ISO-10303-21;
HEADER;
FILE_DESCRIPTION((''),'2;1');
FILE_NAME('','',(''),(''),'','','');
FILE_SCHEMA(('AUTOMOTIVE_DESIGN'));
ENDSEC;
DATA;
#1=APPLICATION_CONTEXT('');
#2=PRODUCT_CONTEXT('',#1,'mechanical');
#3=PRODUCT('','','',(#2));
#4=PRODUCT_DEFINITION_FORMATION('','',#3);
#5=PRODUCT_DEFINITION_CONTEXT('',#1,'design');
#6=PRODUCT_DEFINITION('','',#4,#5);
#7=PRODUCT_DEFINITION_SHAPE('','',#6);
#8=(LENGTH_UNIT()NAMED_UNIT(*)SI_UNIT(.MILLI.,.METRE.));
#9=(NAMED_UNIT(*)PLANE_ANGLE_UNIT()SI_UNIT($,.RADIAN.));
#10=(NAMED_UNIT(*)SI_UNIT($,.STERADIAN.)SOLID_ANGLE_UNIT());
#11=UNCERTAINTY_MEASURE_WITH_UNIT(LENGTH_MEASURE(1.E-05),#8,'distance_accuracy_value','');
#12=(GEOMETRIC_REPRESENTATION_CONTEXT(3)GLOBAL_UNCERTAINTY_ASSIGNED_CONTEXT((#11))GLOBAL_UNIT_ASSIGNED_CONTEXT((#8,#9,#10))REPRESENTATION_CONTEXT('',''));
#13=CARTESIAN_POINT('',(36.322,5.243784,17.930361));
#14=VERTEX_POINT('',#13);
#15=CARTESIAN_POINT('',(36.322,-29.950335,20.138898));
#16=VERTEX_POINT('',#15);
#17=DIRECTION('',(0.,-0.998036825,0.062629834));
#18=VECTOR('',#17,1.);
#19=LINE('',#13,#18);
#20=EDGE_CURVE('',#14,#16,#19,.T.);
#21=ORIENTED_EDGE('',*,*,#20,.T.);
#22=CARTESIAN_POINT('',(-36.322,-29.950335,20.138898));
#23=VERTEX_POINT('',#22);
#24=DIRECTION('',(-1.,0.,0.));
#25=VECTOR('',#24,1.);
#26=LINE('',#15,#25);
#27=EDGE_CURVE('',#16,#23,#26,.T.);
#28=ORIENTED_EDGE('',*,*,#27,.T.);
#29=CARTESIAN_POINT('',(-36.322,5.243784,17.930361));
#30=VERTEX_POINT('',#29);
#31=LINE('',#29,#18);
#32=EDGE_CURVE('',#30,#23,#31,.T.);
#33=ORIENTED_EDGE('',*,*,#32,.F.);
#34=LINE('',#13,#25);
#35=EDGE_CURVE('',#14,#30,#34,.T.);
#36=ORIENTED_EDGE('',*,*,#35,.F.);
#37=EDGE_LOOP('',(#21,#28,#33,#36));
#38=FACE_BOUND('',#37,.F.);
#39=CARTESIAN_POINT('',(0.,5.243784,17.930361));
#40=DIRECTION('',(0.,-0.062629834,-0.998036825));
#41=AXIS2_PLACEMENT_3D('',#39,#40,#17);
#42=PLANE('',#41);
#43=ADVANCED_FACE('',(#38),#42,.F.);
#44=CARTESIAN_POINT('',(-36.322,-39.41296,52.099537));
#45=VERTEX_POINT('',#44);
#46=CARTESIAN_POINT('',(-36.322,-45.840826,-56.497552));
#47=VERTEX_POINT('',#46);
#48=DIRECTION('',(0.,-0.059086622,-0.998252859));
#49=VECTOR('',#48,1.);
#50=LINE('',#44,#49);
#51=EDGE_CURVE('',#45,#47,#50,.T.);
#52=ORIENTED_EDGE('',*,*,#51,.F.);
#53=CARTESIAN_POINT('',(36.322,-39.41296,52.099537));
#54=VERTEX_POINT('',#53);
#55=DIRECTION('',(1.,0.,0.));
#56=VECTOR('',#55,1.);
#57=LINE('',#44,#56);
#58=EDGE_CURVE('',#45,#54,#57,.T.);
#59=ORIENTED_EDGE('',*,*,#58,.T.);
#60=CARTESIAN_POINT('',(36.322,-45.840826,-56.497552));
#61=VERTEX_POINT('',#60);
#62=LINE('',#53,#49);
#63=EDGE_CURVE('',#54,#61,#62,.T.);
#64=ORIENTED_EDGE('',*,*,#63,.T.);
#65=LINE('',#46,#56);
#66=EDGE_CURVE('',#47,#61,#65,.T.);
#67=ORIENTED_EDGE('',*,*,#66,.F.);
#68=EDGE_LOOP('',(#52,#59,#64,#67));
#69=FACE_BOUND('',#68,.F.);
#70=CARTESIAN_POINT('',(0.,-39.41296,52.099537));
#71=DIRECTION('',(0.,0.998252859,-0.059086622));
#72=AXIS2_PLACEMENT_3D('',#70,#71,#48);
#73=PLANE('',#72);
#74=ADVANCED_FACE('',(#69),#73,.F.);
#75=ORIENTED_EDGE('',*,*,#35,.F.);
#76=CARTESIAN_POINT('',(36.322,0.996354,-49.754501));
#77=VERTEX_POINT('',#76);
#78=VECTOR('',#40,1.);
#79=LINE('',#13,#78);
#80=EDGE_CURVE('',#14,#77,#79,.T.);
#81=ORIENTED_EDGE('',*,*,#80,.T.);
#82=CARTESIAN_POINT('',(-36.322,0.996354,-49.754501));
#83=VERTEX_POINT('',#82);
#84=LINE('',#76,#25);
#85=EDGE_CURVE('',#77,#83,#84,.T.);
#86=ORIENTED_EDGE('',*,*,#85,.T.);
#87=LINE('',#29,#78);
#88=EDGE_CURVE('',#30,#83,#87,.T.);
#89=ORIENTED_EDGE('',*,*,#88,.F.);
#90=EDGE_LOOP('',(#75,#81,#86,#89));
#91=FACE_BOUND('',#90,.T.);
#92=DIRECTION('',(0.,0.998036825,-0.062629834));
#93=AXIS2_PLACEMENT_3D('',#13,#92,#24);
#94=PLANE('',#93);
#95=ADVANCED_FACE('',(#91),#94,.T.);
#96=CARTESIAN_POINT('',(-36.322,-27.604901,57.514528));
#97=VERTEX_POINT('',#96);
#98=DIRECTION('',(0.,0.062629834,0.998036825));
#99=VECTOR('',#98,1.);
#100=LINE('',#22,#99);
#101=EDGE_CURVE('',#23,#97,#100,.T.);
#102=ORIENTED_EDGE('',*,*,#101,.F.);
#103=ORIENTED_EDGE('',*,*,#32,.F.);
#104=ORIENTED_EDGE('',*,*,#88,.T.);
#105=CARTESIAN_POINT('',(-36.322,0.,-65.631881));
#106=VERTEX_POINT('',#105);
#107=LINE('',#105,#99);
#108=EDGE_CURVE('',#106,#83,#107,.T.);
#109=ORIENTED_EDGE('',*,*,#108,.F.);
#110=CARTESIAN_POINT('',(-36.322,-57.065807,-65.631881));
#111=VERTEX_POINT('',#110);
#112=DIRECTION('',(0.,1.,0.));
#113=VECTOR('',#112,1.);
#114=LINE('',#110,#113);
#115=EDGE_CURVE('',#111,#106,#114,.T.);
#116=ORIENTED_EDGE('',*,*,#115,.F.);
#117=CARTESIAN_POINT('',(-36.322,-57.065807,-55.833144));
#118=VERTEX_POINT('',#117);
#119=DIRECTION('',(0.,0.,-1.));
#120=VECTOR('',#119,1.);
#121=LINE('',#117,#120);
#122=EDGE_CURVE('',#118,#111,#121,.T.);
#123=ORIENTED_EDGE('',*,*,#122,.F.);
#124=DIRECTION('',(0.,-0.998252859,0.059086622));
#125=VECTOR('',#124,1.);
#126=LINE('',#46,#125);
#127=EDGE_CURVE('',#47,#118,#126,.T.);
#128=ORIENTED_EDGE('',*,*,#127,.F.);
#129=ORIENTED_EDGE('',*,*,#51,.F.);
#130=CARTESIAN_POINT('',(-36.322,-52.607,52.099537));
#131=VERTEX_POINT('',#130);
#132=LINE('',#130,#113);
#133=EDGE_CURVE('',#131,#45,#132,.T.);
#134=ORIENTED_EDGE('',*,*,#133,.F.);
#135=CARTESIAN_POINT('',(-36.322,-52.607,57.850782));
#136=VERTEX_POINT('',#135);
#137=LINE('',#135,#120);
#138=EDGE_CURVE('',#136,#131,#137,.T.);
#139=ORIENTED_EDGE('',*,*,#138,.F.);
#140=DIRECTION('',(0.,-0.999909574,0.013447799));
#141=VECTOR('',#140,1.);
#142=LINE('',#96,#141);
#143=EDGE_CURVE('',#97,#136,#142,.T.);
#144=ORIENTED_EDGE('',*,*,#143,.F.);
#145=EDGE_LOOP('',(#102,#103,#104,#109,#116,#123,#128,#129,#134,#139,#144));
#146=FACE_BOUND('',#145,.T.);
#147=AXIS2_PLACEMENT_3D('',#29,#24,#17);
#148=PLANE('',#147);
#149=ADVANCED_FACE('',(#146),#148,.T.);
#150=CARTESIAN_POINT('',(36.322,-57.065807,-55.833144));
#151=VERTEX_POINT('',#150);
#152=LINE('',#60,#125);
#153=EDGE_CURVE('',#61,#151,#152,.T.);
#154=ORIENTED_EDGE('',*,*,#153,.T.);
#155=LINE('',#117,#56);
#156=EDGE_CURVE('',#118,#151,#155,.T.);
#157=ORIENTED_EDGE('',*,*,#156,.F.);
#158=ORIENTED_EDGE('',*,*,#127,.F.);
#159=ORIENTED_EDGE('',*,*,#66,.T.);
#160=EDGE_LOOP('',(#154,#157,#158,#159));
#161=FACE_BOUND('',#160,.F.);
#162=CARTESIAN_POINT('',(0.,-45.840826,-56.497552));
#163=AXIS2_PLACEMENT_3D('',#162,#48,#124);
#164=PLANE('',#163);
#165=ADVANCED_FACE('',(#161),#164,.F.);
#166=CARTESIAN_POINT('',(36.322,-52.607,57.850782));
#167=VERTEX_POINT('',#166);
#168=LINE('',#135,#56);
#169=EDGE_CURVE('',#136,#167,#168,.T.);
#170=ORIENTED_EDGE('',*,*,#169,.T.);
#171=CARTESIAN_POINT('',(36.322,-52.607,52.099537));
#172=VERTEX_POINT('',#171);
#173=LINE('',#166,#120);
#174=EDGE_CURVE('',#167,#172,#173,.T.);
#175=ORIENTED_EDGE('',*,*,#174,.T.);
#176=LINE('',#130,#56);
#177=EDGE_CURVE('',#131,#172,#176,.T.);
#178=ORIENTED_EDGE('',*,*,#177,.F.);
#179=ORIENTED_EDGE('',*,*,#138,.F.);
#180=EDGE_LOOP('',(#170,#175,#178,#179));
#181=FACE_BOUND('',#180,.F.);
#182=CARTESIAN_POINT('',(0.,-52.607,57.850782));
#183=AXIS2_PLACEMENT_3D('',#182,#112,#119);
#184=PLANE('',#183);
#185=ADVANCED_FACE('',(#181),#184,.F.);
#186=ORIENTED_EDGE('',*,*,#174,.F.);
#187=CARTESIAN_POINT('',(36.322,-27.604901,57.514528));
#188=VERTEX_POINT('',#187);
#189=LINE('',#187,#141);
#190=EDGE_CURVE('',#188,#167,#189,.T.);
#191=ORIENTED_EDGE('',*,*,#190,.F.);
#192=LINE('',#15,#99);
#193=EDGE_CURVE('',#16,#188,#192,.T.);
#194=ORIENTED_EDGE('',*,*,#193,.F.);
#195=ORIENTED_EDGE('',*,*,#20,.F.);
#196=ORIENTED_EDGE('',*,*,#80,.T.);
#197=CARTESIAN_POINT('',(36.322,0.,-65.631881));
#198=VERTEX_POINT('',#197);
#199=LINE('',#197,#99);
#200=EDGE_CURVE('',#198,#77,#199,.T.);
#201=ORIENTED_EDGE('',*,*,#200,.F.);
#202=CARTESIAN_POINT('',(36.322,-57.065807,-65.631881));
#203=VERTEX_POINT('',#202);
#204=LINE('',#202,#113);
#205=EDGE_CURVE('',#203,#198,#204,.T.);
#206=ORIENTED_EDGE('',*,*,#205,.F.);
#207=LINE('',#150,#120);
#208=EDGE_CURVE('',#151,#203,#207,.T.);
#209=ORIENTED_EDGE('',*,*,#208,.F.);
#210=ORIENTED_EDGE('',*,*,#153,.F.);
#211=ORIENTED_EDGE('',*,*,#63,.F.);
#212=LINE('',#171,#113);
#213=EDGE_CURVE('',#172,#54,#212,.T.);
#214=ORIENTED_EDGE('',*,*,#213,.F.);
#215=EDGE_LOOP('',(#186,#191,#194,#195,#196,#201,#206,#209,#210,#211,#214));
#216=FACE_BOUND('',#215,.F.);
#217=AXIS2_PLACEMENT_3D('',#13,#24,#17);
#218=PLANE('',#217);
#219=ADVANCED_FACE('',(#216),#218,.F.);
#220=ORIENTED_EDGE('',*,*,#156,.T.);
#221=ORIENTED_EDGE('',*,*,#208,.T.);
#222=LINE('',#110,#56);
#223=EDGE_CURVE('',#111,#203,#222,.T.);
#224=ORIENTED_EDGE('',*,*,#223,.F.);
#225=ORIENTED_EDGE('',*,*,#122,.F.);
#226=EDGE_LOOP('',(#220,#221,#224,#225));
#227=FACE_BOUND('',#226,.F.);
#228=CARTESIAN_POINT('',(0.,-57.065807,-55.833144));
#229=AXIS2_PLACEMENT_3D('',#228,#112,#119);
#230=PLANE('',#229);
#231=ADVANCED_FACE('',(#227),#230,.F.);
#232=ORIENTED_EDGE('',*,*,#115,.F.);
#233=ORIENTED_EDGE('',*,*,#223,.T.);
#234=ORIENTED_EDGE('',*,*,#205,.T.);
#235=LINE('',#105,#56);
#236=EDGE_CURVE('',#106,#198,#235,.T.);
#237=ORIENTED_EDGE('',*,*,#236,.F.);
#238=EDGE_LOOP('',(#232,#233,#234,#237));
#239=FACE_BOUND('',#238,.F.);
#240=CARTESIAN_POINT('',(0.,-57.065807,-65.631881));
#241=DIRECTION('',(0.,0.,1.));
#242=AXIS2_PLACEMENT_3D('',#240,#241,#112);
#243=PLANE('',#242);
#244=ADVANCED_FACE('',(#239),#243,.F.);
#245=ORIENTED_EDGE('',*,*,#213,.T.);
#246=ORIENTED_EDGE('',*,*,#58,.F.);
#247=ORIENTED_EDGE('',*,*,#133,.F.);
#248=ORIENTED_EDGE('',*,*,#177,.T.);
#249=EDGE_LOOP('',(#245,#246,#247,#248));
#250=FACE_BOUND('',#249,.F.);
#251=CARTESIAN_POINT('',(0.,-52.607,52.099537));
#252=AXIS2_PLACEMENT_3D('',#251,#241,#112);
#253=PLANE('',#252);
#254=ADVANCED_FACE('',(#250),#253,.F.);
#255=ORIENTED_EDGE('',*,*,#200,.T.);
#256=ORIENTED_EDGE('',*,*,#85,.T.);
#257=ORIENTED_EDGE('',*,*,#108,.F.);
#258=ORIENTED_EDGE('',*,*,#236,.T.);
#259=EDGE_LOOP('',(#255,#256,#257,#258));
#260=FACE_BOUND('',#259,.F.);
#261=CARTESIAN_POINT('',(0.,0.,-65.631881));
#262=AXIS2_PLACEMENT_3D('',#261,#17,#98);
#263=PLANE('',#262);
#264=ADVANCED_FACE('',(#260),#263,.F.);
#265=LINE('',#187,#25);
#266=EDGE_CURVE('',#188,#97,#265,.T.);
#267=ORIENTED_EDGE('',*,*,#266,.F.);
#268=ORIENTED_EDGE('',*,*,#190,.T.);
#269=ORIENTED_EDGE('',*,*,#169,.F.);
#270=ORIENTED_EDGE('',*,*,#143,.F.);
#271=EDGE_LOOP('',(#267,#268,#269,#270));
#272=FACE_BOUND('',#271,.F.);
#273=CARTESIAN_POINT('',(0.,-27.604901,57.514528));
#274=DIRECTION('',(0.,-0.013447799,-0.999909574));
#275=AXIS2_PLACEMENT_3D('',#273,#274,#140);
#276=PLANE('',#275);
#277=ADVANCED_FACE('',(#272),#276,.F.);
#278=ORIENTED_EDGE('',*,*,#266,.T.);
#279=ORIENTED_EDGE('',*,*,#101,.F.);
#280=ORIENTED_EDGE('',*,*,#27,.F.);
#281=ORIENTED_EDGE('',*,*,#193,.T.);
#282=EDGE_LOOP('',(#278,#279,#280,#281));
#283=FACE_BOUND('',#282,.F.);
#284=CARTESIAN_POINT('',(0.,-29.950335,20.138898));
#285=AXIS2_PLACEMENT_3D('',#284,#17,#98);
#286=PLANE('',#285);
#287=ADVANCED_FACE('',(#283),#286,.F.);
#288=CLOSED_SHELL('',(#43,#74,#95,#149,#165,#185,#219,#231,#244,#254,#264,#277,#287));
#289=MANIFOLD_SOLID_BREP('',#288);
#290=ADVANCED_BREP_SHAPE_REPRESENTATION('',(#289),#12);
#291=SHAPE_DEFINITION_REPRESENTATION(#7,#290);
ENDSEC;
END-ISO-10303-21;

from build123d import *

# Parameters (mm, degrees)
F1_DEPTH      = 36.322
F1_DEPTH_BACK = 36.322
F2_DEPTH      = 67.818


with BuildPart() as f1:
    # F0 (on Right) → F1 (new body, two sides)
    with BuildSketch(Plane.YZ) as f1_sk:
        Polygon((-27.6049010658, 57.5145282299), (-52.6069998741, 57.8507818282), (-52.6069998741, 52.0995371044), (-39.4129604101, 52.0995371044), (-45.8408258855, -56.4975515008), (-57.0658069545, -55.8331444785), (-57.0658069545, -65.6318813562), (0, -65.6318813562), (5.2437838167, 17.9303605109), (-29.9503350813, 20.1388980872), align=None)
    extrude(amount=-F1_DEPTH)
    extrude(f1_sk.sketch, amount=F1_DEPTH_BACK)

    # F2 (add): a face of the model
    f2_faces = [f1.faces().sort_by_distance(p)[0] for p in [
        (0, -12.3532756323, 19.0346292991),
    ]]
    extrude(f2_faces, amount=-F2_DEPTH)


solid = f1.part
